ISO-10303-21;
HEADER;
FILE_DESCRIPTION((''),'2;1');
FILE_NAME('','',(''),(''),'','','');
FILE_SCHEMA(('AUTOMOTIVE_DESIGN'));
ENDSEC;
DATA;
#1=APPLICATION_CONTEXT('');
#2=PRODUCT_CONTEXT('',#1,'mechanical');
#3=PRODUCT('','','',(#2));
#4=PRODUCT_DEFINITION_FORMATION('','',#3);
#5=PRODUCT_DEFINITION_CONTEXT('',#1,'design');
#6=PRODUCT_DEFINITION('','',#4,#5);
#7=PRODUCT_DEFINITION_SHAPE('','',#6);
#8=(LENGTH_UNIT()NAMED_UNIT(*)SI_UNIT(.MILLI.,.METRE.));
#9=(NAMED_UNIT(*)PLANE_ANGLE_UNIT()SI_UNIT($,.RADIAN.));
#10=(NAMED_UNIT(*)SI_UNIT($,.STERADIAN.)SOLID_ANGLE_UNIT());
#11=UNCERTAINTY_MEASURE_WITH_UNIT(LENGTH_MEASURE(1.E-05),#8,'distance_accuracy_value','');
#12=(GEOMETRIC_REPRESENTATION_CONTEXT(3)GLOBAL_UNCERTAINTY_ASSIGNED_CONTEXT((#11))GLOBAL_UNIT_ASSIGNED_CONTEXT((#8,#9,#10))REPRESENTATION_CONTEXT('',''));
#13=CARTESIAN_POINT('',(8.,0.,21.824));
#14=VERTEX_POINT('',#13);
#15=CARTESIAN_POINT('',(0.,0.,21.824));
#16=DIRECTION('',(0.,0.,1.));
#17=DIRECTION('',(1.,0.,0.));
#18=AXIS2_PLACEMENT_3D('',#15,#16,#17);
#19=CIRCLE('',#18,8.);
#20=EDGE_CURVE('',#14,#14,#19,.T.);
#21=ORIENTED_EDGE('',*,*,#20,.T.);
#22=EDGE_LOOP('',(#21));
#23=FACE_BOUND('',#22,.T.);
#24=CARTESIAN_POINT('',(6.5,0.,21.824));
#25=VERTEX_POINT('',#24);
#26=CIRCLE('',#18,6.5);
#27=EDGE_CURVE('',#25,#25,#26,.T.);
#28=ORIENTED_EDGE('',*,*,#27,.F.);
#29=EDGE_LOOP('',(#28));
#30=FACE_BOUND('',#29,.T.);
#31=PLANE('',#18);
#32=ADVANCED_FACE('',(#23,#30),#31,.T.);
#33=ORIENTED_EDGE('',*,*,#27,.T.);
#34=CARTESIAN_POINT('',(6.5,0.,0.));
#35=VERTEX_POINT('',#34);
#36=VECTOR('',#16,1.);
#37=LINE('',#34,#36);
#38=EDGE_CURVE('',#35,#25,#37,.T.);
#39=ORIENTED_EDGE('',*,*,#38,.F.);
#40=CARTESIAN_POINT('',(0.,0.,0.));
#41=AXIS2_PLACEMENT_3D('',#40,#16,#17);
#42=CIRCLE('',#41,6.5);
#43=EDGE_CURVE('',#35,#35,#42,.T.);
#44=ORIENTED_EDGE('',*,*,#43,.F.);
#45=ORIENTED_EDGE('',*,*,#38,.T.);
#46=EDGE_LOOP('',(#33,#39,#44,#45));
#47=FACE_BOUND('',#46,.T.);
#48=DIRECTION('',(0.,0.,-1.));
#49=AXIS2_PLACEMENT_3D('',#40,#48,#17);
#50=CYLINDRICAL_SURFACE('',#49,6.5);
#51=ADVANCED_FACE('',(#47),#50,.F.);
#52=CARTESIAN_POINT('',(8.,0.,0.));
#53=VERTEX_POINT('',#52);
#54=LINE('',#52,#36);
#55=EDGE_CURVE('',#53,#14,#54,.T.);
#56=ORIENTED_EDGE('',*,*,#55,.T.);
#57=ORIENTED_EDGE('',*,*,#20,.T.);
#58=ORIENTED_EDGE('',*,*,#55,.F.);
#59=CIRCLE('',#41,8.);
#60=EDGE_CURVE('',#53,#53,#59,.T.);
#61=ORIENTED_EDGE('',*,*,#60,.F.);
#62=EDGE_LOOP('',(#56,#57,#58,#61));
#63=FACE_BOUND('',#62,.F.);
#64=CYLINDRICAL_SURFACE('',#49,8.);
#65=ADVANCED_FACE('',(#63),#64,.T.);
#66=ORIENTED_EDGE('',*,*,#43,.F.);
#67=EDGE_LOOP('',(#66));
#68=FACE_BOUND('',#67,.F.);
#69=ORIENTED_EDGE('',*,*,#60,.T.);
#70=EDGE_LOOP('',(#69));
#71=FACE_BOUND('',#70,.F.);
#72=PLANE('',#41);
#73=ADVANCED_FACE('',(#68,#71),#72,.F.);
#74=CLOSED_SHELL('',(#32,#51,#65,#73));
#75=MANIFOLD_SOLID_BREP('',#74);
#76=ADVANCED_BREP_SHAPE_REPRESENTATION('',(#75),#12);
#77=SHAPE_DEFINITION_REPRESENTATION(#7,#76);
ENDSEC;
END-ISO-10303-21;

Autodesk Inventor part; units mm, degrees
ref_plane "YZ Plane" through (0, 0, 0) normal (1, 0, 0) x (0, 1, 0)
ref_plane "XZ Plane" through (0, 0, 0) normal (0, 1, 0) x (-1, 0, 0)
ref_plane "XY Plane" through (0, 0, 0) normal (0, 0, 1) x (1, 0, 0)
sketch "Sketch1" plane through (0, 0, 0) normal (0, 0, 1) x (1, 0, 0)
  circle A0 centre (0, 0) radius 8
  circle A1 centre (0, 0) radius 6.5
  dimension "d0" = 16
  dimension "d1" = 13
extrude "Extrusion1" add sketch "Sketch1" along normal blind 21.824
properties part number "terminal"
